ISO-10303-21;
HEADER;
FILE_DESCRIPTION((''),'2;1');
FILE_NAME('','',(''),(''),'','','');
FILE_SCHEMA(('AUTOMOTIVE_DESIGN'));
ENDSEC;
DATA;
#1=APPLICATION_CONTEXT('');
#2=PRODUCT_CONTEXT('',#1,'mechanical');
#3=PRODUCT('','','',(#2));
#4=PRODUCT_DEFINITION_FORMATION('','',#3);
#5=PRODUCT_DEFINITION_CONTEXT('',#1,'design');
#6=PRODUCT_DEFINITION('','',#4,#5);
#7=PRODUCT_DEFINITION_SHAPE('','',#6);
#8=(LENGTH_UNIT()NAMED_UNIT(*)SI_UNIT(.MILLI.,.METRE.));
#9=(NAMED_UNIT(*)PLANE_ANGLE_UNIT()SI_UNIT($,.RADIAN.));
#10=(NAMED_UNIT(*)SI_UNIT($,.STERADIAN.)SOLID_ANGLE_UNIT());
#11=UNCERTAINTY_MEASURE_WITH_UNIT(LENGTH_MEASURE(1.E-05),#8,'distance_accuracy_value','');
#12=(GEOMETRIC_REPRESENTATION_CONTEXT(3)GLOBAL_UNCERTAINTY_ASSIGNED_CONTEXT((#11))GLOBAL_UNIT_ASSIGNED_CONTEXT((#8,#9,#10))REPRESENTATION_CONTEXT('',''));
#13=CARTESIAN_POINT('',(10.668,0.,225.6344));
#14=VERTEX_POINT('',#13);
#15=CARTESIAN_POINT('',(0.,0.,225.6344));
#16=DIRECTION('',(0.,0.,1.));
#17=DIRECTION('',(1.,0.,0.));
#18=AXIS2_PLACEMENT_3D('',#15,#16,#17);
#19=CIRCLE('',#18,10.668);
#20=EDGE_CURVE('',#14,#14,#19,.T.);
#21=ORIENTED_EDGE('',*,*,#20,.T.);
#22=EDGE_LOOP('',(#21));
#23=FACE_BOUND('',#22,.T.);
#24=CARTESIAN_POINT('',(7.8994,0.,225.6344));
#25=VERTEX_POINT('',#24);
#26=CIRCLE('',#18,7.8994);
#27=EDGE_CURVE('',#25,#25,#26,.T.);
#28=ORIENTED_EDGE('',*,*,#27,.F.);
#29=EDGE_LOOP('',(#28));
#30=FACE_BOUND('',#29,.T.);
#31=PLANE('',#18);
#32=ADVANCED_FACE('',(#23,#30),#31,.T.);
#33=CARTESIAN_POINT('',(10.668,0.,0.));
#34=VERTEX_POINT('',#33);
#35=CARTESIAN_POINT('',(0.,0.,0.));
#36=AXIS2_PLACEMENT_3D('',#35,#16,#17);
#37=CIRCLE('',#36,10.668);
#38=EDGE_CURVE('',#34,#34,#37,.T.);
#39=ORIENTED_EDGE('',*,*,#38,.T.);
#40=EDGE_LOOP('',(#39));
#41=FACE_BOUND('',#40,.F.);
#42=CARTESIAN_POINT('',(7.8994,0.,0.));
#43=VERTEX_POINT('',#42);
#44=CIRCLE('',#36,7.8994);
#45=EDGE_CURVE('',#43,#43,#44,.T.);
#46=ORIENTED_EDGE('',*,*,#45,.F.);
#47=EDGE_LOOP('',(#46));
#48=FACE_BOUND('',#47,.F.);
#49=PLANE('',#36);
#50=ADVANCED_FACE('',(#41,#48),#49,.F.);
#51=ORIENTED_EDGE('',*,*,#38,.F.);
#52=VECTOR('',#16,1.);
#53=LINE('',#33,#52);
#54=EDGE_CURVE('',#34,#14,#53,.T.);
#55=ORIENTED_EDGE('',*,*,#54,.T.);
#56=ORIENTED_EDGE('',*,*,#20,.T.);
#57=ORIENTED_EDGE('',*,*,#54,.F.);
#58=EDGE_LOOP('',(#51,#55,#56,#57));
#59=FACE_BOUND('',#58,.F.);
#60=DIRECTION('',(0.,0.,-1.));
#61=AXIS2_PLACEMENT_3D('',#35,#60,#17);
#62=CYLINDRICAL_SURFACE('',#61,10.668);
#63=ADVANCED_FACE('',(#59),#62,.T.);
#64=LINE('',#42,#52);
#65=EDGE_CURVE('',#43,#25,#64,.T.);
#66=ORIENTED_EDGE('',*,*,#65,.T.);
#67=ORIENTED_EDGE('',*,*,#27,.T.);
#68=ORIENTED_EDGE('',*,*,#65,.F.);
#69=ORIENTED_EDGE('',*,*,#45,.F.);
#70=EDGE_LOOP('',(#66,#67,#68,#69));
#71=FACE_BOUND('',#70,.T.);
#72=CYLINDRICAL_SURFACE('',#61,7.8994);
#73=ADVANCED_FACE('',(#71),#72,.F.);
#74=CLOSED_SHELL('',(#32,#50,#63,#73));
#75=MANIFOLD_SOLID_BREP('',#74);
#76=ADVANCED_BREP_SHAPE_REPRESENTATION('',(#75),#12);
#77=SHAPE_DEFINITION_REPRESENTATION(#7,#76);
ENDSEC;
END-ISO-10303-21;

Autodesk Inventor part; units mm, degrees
ref_plane "YZ Plane" through (0, 0, 0) normal (1, 0, 0) x (0, 1, 0)
ref_plane "Start Plane" through (0, 0, 0) normal (0, 0, 1) x (1, 0, 0)
ref_plane "End Plane" through (0, 0, 225.6344) normal (0, 0, 1) x (1, 0, 0)
sketch "Sketch" plane through (0, 0, 0) normal (0, 0, 1) x (1, 0, 0)
  circle A0 centre (0, 0) radius 7.8994
  circle A1 centre (0, 0) radius 10.668
  dimension "d0" = 21.336
  dimension "d1" = 2.7686
extrude "Body" add sketch "Sketch" along normal up to surface (225.6344 mm away) from surface at 0
sketch "Sketch3" plane through (0, 0, 0) normal (0, 0, 1) x (1, 0, 0)
  line L0 (0, 0) -> (10, 0)
ref_plane "Work Plane3" through (0, 0, 0) normal (0, -1, 0) x (1, 0, 0)
sketch "Sketch4" plane through (0, 0, 0) normal (0, -1, 0) x (1, 0, 0)
  line L0 (-2, 0) -> (12, 0) projected
  line L1 (-2, 225.6344) -> (12, 225.6344) projected
  dimension "d7" = 225.6344
equation "\"d0\" = G_H"
equation "\"d1\" = G_T"
equation "\"d2\" = G_L"
equation "\"G_H\" = 21.336"
equation "\"G_T\" = 2.7686"
equation "\"G_L\" = d7"
equation "\"G_OFFSET_START\" = 0"
equation "\"G_OFFSET_END\" = 0"
equation "\"d5\" = G_OFFSET_END + B_L"
equation "\"B_L\" = 225.63443"
properties part number "ANSI - 1/2 x 0.109 - 8.883" material "Steel, Mild"
